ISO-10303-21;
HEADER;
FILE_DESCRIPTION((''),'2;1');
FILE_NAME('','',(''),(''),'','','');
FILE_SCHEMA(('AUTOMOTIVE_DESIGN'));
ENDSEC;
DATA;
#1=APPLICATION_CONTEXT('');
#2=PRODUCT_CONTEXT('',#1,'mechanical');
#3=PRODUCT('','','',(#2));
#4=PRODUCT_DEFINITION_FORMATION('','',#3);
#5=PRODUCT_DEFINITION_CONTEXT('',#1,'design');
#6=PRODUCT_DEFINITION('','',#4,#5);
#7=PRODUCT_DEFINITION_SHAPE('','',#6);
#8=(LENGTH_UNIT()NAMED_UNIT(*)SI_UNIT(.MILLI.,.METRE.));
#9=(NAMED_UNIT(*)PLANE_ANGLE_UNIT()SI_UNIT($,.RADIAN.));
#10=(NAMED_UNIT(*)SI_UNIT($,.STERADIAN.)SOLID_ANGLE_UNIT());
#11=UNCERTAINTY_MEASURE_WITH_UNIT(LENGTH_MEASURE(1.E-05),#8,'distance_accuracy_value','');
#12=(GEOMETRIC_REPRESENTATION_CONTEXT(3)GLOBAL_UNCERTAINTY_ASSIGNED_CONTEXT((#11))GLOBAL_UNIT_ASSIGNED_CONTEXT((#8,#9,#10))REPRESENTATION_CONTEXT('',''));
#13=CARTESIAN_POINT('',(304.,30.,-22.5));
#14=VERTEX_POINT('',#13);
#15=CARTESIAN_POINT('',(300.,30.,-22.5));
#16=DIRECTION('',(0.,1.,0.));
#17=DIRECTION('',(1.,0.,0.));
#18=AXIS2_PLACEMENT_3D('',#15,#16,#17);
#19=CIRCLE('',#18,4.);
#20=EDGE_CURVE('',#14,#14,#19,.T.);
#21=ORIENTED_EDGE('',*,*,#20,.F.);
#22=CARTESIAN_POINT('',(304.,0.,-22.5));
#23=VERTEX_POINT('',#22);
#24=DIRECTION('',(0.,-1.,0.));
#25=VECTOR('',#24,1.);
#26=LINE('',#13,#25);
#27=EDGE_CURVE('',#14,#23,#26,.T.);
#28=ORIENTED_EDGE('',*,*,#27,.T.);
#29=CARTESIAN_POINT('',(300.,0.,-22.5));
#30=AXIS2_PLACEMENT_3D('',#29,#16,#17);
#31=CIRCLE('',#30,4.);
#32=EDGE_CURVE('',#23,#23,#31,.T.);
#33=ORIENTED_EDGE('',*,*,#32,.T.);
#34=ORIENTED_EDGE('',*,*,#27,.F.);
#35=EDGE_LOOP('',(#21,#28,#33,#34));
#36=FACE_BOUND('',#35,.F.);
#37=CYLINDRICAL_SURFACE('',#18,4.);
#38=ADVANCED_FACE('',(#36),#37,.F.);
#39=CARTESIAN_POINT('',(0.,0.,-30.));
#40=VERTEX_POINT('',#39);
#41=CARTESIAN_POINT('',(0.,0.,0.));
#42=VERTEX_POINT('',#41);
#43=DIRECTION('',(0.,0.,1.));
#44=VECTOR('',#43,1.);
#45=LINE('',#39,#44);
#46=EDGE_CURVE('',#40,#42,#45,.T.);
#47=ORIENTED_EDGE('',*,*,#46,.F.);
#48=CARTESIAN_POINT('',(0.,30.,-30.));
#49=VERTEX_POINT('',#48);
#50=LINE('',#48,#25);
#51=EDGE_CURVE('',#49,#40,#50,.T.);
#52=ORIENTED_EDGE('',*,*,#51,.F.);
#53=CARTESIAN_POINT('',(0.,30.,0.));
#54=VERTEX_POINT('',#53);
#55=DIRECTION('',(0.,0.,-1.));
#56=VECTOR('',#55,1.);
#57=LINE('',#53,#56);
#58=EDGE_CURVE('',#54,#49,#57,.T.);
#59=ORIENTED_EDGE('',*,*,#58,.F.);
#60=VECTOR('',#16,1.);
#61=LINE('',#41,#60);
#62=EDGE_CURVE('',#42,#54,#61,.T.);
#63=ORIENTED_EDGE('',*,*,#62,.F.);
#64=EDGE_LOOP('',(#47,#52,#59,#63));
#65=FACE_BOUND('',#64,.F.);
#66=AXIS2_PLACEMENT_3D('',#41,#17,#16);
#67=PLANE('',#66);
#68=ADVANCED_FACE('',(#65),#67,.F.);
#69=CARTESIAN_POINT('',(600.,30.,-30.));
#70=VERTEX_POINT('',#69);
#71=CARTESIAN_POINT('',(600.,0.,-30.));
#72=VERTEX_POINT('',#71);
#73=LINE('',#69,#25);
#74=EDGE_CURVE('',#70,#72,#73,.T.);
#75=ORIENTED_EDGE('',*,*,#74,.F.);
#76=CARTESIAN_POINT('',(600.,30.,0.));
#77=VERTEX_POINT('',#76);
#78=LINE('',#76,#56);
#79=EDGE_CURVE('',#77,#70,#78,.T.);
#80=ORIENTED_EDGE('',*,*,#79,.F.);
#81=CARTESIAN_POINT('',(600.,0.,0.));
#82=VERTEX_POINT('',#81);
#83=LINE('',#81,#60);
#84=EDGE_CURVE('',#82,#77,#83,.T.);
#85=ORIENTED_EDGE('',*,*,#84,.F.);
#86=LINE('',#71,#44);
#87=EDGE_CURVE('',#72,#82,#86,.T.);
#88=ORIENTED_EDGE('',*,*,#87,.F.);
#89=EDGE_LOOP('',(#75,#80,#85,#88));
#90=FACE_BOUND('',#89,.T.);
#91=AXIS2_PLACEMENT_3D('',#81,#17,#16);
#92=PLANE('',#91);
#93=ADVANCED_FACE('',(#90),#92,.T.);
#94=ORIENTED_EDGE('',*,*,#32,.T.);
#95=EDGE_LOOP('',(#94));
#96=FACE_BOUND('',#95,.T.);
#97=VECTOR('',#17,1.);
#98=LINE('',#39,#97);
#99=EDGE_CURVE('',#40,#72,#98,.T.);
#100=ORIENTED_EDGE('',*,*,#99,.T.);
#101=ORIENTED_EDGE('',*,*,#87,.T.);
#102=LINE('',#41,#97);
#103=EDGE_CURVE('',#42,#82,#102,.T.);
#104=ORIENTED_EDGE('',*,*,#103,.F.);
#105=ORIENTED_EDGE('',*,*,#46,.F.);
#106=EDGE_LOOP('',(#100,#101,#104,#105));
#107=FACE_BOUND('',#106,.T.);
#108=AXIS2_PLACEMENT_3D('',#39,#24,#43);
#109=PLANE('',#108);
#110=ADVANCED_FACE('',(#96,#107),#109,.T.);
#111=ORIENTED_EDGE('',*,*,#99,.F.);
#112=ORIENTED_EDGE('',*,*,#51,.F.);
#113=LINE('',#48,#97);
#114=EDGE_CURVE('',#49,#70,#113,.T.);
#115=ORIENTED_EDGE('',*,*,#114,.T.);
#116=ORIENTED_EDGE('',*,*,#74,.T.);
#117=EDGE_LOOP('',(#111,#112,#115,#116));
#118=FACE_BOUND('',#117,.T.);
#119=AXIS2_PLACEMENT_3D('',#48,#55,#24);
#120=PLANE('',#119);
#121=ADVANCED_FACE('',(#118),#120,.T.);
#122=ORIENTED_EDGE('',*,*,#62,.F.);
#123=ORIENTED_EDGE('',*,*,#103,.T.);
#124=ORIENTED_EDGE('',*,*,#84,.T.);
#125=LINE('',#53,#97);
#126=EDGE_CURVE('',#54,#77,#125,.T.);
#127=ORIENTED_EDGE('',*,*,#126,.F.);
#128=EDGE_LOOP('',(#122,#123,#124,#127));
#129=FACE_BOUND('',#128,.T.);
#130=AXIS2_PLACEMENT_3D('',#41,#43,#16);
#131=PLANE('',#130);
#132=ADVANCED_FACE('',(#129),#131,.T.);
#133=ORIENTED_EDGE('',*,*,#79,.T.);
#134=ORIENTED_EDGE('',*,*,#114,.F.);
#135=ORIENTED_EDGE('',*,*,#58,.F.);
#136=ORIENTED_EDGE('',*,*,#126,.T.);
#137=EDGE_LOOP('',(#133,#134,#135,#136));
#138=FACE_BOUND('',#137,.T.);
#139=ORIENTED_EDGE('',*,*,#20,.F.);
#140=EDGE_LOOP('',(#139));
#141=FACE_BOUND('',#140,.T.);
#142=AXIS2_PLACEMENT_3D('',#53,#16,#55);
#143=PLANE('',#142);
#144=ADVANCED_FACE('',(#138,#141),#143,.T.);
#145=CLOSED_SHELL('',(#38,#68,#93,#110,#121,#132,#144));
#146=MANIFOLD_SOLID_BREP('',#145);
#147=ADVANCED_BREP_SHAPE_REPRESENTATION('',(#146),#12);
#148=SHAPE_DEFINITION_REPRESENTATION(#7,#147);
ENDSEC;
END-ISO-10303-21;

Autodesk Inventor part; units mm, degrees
ref_plane "YZ Plane" through (0, 0, 0) normal (1, 0, 0) x (0, 1, 0)
ref_plane "XZ Plane" through (0, 0, 0) normal (0, 1, 0) x (-1, 0, 0)
ref_plane "XY Plane" through (0, 0, 0) normal (0, 0, 1) x (1, 0, 0)
sketch "Sketch1" plane through (0, 0, 0) normal (1, 0, 0) x (0, 1, 0)
  line L0 (0, 0) -> (30, 0)
  line L1 (30, 0) -> (30, -30)
  line L2 (30, -30) -> (0, -30)
  line L3 (0, -30) -> (0, 0)
  dimension "d0" = 30
  dimension "d1" = 30
extrude "Extrusion1" add sketch "Sketch1" along normal blind 600
sketch "Sketch2" plane through (0, 30, 0) normal (0, 1, 0) x (1, 0, 0)
  circle A0 centre (300, 22.5) radius 4
  line L0 (0, 0) -> (600, 0) projected
  line L1 (0, 30) -> (0, 0) projected
  line L2 (600, 30) -> (600, 0) projected
  dimension "d4" = 8
  dimension "d5" = 22.5
  dimension "d6" = 300
  dimension "d7" = 600
extrude "Extrusion2" cut sketch "Sketch2" against normal through all
thread "Thread1" size "TR8x1.5" class "7H" standard "ISO Metric Trapezoidal Threads" full length
equation "\"d6\" = 0.5 * d7"
properties part number "Piston_"
